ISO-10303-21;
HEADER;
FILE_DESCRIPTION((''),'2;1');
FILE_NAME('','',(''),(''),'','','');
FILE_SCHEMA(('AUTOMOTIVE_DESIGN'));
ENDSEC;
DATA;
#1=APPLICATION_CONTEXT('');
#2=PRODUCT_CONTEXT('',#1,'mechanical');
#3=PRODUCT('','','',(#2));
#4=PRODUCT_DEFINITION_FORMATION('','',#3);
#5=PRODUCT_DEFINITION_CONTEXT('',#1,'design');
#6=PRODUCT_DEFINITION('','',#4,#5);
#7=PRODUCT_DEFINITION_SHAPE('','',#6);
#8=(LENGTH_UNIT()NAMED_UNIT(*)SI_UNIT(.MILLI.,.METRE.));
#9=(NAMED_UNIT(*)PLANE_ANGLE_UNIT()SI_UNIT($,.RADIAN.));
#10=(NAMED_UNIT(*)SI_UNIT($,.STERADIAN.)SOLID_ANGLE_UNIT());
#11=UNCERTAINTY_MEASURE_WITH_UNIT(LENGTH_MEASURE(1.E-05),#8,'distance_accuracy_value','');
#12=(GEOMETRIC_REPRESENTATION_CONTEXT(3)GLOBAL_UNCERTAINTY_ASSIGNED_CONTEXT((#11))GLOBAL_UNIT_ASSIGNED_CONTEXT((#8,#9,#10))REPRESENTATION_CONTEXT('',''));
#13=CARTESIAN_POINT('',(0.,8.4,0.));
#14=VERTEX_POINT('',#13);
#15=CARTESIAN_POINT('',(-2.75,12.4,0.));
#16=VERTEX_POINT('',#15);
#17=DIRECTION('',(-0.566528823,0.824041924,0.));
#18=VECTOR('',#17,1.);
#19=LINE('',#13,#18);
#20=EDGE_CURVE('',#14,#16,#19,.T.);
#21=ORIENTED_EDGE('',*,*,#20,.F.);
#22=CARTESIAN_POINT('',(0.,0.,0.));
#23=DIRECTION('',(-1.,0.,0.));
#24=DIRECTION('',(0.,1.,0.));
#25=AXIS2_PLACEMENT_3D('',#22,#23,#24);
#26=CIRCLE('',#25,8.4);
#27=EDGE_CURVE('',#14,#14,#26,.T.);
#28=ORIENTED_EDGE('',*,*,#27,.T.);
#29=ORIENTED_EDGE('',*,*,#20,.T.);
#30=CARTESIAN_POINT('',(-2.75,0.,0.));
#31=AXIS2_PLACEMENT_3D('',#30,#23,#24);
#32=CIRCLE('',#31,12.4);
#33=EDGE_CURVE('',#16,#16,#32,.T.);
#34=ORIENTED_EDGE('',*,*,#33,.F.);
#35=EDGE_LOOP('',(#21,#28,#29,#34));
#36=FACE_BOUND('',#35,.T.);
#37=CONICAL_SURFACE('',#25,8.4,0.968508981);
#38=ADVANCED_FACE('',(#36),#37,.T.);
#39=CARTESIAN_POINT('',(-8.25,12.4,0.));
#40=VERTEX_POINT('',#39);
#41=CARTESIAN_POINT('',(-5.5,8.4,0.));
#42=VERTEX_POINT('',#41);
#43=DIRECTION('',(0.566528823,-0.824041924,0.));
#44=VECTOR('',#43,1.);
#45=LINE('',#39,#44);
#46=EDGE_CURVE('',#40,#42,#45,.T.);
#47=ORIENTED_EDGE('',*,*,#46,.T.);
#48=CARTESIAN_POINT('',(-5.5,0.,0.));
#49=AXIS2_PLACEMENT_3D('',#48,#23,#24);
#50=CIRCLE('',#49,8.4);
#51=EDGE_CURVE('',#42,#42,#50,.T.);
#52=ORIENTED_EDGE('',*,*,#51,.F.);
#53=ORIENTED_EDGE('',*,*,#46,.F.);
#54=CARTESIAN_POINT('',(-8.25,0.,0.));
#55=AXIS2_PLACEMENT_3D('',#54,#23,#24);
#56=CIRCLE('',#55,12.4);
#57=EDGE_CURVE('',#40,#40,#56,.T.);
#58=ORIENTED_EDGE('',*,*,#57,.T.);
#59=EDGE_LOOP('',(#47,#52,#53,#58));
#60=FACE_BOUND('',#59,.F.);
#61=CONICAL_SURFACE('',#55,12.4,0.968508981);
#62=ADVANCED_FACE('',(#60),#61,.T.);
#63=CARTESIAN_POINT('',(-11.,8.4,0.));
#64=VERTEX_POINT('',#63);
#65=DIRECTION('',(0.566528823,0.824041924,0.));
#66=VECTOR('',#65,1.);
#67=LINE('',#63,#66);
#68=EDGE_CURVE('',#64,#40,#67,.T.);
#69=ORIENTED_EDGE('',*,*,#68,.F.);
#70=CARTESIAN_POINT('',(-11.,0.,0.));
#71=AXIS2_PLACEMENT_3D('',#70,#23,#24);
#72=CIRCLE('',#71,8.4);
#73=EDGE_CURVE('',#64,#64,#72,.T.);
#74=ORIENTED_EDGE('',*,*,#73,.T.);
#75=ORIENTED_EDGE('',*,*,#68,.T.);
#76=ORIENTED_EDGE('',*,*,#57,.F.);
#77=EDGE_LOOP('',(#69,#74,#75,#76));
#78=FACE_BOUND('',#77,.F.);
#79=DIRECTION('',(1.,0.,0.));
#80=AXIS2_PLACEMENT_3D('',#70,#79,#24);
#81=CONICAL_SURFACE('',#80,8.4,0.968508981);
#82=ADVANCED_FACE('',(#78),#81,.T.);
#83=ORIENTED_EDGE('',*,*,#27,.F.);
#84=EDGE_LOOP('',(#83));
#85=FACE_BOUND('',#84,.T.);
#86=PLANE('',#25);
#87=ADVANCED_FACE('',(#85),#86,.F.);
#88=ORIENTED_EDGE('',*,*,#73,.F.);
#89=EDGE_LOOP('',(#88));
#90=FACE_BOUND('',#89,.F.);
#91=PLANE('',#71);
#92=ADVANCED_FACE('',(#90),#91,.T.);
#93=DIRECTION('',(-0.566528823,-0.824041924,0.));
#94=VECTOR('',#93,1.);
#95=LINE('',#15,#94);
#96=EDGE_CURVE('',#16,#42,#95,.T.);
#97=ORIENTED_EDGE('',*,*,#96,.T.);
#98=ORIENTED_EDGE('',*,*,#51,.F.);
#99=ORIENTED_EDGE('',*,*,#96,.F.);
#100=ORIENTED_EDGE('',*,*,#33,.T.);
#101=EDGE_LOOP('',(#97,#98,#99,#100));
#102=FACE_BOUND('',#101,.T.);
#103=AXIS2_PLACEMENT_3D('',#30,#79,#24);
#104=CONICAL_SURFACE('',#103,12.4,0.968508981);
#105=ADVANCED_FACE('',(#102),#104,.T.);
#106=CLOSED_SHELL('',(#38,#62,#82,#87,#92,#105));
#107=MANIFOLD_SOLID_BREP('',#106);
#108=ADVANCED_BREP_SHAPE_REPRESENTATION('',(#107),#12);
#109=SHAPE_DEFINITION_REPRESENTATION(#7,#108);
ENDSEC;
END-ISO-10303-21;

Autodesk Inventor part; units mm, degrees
ref_plane "YZ Plane" through (0, 0, 0) normal (1, 0, 0) x (0, 1, 0)
ref_plane "XZ Plane" through (0, 0, 0) normal (0, 1, 0) x (-1, 0, 0)
ref_plane "XY Plane" through (0, 0, 0) normal (0, 0, 1) x (1, 0, 0)
sketch "Sketch1" plane through (0, 0, 0) normal (0, 0, 1) x (1, 0, 0)
  line L0 (0, 0) -> (0, 8.4)
  line L1 (0, 0) -> (-11, 0)
  line L2 (-11, 0) -> (-11, 8.4)
  line L3 (-8.25, 0) -> (-8.25, 12.4)
  line L4 (-11, 8.4) -> (-8.25, 12.4)
  line L5 (-8.25, 12.4) -> (-5.5, 8.4)
  line L6 (-5.5, 8.4) -> (-5.5, 0)
  line L7 (0, 8.4) -> (-2.75, 12.4)
  line L8 (-2.75, 12.4) -> (-5.5, 8.4)
  dimension "d0" = 11
  dimension "d1" = 12.4
  dimension "d2" = 8.4
  dimension "d3" = 2.75
  dimension "d4" = 5.5
  dimension "d5" = 2.75
revolve "Revolution1" add sketch "Sketch1" angle 360 about axis through (0, 0, 0) along (-1, 0, 0)
ref_plane "Work Plane1" through (-5.5, 0, 0) normal (1, 0, 0) x (0, 0, -1)
properties part number "Neje_Rolls"
